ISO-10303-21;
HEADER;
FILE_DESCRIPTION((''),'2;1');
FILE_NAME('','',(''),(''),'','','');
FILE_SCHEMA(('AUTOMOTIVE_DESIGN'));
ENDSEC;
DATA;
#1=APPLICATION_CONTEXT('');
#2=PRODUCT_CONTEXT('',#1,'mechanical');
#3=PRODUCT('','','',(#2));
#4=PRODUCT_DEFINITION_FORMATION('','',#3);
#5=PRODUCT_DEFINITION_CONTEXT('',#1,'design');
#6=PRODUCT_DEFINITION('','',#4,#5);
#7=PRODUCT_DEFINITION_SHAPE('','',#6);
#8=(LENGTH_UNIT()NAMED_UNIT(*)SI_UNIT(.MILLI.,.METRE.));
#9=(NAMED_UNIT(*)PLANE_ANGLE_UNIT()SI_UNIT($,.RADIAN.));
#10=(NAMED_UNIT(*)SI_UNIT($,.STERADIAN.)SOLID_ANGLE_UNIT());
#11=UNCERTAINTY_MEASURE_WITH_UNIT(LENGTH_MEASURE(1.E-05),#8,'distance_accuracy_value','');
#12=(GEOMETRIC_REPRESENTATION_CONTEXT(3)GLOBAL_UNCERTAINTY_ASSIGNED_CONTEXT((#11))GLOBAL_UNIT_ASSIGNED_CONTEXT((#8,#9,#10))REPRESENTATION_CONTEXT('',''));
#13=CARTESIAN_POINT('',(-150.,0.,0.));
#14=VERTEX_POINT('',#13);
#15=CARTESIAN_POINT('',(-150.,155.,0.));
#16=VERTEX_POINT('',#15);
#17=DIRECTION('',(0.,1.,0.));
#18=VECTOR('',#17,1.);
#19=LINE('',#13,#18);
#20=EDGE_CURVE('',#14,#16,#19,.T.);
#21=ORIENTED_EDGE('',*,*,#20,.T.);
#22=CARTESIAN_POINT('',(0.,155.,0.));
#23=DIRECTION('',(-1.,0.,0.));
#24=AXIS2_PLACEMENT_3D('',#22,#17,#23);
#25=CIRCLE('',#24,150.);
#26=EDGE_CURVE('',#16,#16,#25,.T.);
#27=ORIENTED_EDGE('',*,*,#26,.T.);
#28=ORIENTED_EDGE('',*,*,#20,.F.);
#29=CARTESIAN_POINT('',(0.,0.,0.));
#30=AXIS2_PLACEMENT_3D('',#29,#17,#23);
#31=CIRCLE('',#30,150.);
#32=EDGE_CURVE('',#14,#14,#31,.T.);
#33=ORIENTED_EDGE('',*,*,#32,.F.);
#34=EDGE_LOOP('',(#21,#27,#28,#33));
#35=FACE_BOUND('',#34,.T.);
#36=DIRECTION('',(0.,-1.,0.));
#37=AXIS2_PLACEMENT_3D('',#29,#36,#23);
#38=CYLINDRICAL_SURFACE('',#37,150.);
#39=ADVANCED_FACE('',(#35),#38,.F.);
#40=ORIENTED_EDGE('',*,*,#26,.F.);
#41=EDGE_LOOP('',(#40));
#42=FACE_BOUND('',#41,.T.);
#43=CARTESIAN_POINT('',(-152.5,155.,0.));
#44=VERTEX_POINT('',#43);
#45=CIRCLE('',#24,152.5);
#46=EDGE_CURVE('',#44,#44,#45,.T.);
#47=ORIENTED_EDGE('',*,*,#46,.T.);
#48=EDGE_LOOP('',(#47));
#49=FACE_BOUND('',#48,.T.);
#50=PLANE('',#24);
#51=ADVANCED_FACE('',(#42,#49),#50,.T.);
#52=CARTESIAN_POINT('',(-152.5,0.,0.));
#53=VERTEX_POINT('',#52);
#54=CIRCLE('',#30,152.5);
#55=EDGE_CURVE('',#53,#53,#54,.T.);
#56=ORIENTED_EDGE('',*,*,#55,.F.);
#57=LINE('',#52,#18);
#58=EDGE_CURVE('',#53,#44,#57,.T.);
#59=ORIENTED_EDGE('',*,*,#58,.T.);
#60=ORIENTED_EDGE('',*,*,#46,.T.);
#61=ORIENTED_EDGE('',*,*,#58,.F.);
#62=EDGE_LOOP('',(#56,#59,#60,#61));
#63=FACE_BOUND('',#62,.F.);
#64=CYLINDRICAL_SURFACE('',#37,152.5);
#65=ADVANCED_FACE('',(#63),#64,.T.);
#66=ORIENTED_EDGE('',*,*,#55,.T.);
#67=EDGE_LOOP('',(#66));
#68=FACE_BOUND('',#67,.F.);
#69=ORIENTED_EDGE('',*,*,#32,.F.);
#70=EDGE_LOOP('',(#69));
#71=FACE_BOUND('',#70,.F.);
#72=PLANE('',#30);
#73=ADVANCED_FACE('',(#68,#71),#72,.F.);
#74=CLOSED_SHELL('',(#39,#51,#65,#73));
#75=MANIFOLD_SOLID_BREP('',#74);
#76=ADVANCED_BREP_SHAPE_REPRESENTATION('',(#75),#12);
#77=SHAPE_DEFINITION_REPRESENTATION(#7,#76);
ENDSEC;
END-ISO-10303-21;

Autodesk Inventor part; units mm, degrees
ref_plane "YZ Plane" through (0, 0, 0) normal (1, 0, 0) x (0, 1, 0)
ref_plane "XZ Plane" through (0, 0, 0) normal (0, 1, 0) x (-1, 0, 0)
ref_plane "XY Plane" through (0, 0, 0) normal (0, 0, 1) x (1, 0, 0)
sketch "Sketch1" plane through (0, 0, 0) normal (0, 1, 0) x (-1, 0, 0)
  point P0 (0, 0)
sketch "Sketch2" plane through (0, 0, 0) normal (0, 1, 0) x (-1, 0, 0)
  circle A0 centre (0, 0) radius 152.5
  circle A1 centre (0, 0) radius 150
  dimension "d0" = 305
  dimension "d1" = 300
extrude "Extrusion1" add sketch "Sketch2" along normal blind 155
sketch "Sketch3" plane through (0, 0, 0) normal (0, 1, 0) x (-1, 0, 0)
  point P0 (0, 0)
properties part number "SylinderWalls" material "Glass"
